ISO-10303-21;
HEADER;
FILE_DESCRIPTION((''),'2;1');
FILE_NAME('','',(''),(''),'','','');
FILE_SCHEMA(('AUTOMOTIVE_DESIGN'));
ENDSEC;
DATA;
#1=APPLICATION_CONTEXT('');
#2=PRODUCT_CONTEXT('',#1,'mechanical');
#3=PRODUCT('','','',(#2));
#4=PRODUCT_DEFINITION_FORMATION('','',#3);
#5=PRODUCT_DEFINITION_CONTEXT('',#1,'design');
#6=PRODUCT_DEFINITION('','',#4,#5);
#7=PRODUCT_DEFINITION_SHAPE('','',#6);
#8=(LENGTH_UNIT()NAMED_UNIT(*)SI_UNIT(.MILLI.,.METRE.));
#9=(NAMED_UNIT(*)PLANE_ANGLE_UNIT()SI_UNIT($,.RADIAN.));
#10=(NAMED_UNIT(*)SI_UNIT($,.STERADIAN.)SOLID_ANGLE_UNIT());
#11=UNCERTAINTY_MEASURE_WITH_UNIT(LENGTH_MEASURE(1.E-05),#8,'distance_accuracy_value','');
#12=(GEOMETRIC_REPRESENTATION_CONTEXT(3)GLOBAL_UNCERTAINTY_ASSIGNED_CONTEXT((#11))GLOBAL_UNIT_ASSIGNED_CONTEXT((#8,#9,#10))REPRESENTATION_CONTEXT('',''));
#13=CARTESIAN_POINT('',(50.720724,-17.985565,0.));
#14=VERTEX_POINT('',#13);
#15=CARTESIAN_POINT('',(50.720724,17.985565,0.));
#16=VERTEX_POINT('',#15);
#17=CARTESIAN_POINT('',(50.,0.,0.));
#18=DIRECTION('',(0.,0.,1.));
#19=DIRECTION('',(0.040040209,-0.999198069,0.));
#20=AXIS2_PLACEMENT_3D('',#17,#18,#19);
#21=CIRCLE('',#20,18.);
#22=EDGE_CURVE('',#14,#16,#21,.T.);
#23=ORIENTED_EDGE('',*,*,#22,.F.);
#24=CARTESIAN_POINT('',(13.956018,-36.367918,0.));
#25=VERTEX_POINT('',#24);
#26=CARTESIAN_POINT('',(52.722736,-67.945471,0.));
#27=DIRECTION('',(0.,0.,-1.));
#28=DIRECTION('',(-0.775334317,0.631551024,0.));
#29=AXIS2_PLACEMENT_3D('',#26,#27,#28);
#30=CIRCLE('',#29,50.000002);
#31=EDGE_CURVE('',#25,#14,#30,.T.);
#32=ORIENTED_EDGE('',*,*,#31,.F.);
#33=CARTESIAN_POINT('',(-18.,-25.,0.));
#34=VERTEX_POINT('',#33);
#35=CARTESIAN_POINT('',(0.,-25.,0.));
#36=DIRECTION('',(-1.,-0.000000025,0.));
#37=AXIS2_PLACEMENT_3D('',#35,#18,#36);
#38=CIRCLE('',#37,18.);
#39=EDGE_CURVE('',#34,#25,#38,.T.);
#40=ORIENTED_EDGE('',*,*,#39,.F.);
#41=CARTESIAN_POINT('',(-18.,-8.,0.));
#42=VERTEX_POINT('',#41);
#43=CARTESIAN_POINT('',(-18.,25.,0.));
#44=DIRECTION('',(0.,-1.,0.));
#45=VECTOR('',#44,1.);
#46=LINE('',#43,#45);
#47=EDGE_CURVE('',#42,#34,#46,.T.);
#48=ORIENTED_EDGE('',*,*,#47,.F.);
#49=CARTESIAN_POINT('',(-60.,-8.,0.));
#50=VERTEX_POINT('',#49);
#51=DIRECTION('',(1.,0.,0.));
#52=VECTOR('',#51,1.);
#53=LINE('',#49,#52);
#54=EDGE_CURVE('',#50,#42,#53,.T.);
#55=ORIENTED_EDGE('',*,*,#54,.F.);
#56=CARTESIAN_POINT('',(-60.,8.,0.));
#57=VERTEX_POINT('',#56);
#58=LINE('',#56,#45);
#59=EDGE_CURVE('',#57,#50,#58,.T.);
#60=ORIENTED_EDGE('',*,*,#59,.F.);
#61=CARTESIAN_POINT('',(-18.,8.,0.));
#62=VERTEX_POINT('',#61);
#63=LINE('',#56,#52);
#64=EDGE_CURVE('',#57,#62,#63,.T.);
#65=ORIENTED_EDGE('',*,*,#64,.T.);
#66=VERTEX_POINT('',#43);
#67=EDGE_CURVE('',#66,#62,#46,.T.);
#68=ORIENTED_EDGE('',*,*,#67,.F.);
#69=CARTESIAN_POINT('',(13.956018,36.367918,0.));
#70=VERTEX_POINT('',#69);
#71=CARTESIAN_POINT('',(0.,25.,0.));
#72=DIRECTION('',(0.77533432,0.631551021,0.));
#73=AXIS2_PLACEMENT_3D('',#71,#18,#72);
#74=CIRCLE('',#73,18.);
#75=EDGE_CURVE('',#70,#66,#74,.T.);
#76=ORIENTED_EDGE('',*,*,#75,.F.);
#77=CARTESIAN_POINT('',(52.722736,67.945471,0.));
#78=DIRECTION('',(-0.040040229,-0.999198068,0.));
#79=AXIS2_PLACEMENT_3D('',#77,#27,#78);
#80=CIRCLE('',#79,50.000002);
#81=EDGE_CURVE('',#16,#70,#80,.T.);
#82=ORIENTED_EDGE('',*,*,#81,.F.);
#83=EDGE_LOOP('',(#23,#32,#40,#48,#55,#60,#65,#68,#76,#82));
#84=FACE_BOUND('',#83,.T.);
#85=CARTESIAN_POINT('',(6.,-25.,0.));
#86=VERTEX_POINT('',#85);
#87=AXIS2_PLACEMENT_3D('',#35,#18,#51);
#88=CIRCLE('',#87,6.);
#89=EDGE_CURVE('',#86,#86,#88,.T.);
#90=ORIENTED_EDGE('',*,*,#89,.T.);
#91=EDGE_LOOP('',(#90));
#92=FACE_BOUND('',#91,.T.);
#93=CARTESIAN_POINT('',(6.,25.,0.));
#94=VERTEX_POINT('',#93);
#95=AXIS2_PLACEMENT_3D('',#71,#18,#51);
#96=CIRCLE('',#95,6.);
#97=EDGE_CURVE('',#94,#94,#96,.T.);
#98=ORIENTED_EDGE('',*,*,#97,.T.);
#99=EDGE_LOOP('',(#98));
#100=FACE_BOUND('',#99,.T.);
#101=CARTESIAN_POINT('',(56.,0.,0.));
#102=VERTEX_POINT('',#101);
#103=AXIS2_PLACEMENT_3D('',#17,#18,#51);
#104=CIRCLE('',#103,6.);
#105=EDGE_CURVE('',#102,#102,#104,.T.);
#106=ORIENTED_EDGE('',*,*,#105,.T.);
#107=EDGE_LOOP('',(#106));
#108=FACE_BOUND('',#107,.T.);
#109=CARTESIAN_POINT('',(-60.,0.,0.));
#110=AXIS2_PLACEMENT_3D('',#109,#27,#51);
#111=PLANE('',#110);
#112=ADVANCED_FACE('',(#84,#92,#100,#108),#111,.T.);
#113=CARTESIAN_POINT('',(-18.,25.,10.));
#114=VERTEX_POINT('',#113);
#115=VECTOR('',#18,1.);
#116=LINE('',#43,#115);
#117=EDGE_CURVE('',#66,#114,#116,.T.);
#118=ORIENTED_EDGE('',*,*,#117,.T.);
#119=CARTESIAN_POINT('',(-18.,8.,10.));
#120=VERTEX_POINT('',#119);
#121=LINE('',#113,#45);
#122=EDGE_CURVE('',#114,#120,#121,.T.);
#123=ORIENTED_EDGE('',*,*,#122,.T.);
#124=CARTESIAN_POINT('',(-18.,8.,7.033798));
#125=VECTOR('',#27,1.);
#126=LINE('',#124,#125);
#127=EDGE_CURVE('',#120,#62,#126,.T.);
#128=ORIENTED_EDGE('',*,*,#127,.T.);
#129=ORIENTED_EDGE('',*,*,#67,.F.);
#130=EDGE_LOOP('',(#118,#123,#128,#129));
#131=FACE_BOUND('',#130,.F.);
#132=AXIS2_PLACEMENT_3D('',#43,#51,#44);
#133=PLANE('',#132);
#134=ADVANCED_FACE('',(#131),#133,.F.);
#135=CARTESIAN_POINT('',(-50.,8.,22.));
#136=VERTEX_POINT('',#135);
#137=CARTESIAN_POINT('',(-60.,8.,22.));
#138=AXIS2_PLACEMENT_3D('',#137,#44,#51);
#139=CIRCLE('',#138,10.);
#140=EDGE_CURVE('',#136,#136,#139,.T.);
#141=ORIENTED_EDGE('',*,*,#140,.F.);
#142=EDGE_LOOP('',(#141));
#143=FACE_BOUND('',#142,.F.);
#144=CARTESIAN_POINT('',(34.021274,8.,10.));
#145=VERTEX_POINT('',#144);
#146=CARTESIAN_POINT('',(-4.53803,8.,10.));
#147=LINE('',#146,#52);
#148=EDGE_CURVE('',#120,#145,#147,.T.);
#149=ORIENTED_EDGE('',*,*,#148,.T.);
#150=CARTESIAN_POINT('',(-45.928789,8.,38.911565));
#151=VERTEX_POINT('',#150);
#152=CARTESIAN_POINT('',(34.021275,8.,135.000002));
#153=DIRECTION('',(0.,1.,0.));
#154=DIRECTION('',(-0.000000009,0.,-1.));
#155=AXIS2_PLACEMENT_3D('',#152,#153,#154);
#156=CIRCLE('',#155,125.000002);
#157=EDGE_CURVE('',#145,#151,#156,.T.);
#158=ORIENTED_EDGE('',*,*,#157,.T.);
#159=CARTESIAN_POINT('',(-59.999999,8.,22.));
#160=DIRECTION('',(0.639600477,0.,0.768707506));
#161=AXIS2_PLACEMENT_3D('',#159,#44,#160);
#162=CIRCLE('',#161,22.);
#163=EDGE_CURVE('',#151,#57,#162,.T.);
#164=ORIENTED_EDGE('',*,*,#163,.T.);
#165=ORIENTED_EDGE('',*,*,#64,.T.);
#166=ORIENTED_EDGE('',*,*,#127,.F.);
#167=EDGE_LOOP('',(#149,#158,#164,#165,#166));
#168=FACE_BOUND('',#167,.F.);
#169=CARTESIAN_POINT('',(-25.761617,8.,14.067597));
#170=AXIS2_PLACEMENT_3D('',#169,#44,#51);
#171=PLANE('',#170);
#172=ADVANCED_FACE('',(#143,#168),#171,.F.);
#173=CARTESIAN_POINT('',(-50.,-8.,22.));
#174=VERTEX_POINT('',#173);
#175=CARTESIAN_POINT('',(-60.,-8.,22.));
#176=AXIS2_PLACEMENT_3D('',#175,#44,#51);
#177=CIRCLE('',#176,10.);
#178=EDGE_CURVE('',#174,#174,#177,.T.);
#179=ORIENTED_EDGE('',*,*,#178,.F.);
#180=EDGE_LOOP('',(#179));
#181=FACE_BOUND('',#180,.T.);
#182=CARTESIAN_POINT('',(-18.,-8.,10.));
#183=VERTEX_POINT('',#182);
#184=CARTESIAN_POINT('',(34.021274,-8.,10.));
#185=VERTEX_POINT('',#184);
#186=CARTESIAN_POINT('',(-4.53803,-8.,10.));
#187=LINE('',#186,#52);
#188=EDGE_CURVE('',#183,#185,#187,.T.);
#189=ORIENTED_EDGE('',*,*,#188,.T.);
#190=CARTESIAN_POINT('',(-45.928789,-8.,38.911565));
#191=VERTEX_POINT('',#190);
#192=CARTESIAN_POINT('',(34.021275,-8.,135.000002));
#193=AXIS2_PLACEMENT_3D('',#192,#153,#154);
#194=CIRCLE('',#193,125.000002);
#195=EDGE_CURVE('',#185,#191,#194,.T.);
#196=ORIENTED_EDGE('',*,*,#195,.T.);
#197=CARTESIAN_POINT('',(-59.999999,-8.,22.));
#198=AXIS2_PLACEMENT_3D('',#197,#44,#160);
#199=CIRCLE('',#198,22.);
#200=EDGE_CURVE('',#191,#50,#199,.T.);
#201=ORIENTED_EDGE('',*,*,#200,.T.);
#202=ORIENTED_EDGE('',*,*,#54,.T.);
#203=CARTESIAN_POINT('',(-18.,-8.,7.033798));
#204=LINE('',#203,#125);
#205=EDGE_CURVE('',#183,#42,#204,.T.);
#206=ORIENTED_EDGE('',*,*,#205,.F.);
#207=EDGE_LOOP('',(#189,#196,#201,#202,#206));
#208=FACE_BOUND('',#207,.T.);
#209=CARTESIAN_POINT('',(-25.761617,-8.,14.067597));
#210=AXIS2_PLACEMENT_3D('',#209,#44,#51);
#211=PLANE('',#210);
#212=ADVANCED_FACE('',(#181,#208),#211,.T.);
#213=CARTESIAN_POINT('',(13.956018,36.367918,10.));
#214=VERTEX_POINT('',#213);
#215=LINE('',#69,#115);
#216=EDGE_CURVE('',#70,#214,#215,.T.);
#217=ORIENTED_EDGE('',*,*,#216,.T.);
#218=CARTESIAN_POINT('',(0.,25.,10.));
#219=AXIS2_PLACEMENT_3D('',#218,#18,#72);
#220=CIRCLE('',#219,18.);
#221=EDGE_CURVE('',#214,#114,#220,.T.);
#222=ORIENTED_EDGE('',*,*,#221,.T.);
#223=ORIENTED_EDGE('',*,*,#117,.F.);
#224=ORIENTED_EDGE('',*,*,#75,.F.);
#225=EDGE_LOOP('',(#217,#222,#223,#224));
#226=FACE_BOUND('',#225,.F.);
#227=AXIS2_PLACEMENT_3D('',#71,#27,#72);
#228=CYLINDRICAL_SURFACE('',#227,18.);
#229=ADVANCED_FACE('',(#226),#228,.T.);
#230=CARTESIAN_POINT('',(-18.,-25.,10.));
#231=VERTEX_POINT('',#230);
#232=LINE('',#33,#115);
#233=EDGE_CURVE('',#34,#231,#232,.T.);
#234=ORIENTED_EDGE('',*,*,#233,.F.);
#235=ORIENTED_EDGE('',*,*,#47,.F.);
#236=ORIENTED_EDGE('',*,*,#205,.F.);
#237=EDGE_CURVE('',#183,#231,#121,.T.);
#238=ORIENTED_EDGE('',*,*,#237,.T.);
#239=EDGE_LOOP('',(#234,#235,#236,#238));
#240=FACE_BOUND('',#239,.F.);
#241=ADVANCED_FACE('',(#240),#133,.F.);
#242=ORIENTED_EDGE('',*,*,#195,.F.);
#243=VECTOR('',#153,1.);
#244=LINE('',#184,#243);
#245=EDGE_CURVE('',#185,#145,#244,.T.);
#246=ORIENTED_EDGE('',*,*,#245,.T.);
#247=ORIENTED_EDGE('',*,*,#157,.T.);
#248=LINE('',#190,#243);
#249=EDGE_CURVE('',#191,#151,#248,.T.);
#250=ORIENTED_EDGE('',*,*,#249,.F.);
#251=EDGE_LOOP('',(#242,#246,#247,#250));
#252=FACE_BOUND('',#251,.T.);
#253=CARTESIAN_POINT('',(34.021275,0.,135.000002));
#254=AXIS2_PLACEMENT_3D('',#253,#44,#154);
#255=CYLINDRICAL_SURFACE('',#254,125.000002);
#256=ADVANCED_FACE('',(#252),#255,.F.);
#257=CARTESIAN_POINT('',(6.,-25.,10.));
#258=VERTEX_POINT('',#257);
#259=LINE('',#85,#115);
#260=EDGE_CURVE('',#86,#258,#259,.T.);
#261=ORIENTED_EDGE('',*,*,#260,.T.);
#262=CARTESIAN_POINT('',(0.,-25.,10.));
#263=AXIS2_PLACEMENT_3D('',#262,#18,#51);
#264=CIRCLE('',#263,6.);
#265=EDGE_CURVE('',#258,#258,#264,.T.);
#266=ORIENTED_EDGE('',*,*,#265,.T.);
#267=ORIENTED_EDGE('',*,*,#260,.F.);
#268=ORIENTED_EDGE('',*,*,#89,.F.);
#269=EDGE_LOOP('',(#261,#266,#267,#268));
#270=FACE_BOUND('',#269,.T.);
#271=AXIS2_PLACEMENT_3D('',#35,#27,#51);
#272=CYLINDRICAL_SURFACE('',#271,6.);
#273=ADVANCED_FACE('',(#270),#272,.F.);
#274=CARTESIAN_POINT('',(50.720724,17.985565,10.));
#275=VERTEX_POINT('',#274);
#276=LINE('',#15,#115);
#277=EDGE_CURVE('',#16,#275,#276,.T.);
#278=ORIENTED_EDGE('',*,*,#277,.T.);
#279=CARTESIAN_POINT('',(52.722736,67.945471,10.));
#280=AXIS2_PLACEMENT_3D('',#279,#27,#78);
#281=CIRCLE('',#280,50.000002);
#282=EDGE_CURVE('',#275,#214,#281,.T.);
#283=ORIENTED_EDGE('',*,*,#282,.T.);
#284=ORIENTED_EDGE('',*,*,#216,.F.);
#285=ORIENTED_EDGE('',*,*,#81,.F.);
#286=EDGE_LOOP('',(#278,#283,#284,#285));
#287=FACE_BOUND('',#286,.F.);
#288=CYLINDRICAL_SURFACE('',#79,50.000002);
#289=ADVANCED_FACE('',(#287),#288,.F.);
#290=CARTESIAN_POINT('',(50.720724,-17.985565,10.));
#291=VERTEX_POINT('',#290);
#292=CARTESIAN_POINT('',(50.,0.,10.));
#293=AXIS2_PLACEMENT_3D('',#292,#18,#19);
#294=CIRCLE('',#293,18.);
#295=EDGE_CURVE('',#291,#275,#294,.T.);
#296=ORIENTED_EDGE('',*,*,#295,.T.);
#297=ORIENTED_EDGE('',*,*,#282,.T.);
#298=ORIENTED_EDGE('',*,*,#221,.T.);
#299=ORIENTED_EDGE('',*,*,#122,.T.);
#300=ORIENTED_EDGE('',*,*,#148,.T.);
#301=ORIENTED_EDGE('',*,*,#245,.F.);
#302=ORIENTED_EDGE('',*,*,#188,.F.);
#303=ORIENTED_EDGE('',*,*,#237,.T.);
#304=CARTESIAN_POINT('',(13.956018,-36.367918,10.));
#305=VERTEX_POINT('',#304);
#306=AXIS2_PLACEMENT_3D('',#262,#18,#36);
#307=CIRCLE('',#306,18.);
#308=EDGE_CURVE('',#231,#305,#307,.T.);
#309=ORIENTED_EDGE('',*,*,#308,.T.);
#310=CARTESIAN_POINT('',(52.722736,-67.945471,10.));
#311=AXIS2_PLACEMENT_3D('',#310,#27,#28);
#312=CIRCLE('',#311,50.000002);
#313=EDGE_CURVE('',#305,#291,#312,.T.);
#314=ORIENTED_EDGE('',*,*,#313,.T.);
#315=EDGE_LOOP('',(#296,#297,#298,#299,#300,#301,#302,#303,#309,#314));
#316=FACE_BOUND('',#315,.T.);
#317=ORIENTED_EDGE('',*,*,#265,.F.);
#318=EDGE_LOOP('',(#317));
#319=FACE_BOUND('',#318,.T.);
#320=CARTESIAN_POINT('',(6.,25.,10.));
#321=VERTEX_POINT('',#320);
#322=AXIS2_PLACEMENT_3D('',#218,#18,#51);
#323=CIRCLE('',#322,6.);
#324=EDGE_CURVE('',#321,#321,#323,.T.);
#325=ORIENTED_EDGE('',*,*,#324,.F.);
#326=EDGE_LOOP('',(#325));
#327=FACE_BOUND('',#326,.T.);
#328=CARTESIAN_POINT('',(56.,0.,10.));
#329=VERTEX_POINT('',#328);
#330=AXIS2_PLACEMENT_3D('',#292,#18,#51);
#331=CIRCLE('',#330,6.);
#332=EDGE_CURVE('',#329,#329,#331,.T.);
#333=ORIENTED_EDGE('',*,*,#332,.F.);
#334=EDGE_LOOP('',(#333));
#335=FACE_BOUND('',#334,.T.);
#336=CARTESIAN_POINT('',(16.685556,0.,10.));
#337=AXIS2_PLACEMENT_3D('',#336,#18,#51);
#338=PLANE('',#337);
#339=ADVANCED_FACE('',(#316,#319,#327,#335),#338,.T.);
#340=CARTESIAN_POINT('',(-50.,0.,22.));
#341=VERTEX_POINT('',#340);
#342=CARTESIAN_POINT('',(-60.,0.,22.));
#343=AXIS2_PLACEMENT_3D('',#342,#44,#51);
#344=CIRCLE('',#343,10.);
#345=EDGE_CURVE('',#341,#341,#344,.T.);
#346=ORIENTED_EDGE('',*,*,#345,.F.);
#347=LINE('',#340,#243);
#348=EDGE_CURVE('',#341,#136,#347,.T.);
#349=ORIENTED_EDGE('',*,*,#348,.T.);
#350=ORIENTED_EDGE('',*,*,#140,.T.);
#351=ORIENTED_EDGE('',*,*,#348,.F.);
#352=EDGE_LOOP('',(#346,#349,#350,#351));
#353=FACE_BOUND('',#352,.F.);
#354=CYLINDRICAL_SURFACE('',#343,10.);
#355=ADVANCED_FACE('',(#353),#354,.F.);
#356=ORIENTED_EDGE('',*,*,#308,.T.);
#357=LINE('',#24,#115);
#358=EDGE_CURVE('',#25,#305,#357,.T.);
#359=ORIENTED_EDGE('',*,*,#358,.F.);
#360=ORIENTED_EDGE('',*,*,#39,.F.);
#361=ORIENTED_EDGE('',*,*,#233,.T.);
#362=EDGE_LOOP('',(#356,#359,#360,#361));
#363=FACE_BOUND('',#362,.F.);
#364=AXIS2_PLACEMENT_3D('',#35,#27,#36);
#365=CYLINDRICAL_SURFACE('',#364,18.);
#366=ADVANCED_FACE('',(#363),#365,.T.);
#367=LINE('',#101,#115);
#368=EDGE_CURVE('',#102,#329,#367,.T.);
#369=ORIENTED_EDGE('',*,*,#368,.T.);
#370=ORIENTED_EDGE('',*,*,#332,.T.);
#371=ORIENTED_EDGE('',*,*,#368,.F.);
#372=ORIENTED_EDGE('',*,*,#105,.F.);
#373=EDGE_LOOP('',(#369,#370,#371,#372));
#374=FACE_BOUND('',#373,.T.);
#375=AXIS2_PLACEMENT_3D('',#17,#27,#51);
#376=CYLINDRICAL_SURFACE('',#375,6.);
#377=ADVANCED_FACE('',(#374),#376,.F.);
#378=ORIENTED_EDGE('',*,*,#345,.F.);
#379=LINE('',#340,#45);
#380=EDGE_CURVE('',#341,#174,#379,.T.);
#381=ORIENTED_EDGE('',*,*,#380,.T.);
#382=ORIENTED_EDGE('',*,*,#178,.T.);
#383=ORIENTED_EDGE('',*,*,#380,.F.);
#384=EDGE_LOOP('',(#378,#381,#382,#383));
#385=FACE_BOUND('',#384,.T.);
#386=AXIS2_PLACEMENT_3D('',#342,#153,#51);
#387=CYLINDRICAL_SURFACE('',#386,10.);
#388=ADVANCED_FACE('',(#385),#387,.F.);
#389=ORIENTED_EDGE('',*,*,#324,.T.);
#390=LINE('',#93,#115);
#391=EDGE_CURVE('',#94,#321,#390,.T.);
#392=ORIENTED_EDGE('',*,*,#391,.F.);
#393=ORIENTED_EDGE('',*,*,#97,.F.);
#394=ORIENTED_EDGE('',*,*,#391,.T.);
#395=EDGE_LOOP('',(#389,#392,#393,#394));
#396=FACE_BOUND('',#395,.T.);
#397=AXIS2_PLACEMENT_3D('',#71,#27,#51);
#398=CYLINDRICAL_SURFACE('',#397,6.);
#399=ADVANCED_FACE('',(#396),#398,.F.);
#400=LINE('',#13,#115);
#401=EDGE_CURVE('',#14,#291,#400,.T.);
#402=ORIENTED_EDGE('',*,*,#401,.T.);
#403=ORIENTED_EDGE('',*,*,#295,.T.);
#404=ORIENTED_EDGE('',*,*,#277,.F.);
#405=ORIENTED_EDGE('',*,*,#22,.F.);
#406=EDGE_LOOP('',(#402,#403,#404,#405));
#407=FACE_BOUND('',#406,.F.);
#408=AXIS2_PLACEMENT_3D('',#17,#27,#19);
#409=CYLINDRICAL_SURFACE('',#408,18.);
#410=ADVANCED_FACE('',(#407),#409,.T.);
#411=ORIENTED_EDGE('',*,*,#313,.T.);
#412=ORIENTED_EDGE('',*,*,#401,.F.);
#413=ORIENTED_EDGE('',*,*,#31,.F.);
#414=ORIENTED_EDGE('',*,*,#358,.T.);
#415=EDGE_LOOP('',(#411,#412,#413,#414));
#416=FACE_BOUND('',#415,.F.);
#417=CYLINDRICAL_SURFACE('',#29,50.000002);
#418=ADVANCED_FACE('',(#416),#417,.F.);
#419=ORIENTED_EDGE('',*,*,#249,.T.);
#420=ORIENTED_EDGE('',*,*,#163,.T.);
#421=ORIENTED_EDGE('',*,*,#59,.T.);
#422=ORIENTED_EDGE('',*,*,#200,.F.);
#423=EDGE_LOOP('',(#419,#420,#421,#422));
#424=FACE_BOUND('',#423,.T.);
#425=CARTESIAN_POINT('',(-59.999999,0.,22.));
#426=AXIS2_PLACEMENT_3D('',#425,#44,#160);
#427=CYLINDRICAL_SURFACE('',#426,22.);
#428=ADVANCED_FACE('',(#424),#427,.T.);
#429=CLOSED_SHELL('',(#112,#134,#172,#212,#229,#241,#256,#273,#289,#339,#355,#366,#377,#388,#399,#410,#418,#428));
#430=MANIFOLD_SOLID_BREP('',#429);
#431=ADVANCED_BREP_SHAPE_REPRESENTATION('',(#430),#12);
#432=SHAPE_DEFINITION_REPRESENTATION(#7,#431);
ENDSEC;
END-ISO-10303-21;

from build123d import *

# Parameters (mm, degrees)
F0_R     = 6
F1_DEPTH = 10
F2_R     = 10
F3_DEPTH = 8
F4_DEPTH = 8


with BuildPart() as f1:
    # F0 (on Top) → F1 (new body)
    with BuildSketch(Plane.XY):
        with BuildLine():
            ThreePointArc((50.720724, -17.985565), (68, 0), (50.720724, 17.985565))
            ThreePointArc((50.720724, 17.985565), (30.362055, 23.224109), (13.956018, 36.367918))
            ThreePointArc((13.956018, 36.367918), (-6.032896, 41.958896), (-18, 25))
            Line((-18, 25), (-18, -25))
            ThreePointArc((-18, -25), (-6.032896, -41.958896), (13.956018, -36.367918))
            ThreePointArc((13.956018, -36.367918), (30.362055, -23.224109), (50.720724, -17.985565))
        make_face()
        with Locations((0, -25)):
            Circle(F0_R, mode=Mode.SUBTRACT)
        with Locations((0, 25)):
            Circle(F0_R, mode=Mode.SUBTRACT)
        with Locations((50, 0)):
            Circle(F0_R, mode=Mode.SUBTRACT)
    extrude(amount=F1_DEPTH)

    # F2 (on Front) → F3 (join)
    with BuildSketch(Plane.XZ):
        with BuildLine():
            ThreePointArc((-45.928789, 38.911565), (-80.688818, 29.481496), (-60, 0))
            Line((-60, 0), (34.021274, 0))
            Line((34.021274, 0), (34.021274, 10))
            ThreePointArc((34.021274, 10), (-8.487228, 17.449895), (-45.928789, 38.911565))
        make_face()
        with Locations((-60, 22)):
            Circle(F2_R, mode=Mode.SUBTRACT)
    extrude(amount=F3_DEPTH)

    # F2 (on Front) → F4 (join)
    with BuildSketch(Plane.XZ):
        with BuildLine():
            ThreePointArc((-45.928789, 38.911565), (-80.688818, 29.481496), (-60, 0))
            Line((-60, 0), (34.021274, 0))
            Line((34.021274, 0), (34.021274, 10))
            ThreePointArc((34.021274, 10), (-8.487228, 17.449895), (-45.928789, 38.911565))
        make_face()
        with Locations((-60, 22)):
            Circle(F2_R, mode=Mode.SUBTRACT)
    extrude(amount=-F4_DEPTH)


solid = f1.part
